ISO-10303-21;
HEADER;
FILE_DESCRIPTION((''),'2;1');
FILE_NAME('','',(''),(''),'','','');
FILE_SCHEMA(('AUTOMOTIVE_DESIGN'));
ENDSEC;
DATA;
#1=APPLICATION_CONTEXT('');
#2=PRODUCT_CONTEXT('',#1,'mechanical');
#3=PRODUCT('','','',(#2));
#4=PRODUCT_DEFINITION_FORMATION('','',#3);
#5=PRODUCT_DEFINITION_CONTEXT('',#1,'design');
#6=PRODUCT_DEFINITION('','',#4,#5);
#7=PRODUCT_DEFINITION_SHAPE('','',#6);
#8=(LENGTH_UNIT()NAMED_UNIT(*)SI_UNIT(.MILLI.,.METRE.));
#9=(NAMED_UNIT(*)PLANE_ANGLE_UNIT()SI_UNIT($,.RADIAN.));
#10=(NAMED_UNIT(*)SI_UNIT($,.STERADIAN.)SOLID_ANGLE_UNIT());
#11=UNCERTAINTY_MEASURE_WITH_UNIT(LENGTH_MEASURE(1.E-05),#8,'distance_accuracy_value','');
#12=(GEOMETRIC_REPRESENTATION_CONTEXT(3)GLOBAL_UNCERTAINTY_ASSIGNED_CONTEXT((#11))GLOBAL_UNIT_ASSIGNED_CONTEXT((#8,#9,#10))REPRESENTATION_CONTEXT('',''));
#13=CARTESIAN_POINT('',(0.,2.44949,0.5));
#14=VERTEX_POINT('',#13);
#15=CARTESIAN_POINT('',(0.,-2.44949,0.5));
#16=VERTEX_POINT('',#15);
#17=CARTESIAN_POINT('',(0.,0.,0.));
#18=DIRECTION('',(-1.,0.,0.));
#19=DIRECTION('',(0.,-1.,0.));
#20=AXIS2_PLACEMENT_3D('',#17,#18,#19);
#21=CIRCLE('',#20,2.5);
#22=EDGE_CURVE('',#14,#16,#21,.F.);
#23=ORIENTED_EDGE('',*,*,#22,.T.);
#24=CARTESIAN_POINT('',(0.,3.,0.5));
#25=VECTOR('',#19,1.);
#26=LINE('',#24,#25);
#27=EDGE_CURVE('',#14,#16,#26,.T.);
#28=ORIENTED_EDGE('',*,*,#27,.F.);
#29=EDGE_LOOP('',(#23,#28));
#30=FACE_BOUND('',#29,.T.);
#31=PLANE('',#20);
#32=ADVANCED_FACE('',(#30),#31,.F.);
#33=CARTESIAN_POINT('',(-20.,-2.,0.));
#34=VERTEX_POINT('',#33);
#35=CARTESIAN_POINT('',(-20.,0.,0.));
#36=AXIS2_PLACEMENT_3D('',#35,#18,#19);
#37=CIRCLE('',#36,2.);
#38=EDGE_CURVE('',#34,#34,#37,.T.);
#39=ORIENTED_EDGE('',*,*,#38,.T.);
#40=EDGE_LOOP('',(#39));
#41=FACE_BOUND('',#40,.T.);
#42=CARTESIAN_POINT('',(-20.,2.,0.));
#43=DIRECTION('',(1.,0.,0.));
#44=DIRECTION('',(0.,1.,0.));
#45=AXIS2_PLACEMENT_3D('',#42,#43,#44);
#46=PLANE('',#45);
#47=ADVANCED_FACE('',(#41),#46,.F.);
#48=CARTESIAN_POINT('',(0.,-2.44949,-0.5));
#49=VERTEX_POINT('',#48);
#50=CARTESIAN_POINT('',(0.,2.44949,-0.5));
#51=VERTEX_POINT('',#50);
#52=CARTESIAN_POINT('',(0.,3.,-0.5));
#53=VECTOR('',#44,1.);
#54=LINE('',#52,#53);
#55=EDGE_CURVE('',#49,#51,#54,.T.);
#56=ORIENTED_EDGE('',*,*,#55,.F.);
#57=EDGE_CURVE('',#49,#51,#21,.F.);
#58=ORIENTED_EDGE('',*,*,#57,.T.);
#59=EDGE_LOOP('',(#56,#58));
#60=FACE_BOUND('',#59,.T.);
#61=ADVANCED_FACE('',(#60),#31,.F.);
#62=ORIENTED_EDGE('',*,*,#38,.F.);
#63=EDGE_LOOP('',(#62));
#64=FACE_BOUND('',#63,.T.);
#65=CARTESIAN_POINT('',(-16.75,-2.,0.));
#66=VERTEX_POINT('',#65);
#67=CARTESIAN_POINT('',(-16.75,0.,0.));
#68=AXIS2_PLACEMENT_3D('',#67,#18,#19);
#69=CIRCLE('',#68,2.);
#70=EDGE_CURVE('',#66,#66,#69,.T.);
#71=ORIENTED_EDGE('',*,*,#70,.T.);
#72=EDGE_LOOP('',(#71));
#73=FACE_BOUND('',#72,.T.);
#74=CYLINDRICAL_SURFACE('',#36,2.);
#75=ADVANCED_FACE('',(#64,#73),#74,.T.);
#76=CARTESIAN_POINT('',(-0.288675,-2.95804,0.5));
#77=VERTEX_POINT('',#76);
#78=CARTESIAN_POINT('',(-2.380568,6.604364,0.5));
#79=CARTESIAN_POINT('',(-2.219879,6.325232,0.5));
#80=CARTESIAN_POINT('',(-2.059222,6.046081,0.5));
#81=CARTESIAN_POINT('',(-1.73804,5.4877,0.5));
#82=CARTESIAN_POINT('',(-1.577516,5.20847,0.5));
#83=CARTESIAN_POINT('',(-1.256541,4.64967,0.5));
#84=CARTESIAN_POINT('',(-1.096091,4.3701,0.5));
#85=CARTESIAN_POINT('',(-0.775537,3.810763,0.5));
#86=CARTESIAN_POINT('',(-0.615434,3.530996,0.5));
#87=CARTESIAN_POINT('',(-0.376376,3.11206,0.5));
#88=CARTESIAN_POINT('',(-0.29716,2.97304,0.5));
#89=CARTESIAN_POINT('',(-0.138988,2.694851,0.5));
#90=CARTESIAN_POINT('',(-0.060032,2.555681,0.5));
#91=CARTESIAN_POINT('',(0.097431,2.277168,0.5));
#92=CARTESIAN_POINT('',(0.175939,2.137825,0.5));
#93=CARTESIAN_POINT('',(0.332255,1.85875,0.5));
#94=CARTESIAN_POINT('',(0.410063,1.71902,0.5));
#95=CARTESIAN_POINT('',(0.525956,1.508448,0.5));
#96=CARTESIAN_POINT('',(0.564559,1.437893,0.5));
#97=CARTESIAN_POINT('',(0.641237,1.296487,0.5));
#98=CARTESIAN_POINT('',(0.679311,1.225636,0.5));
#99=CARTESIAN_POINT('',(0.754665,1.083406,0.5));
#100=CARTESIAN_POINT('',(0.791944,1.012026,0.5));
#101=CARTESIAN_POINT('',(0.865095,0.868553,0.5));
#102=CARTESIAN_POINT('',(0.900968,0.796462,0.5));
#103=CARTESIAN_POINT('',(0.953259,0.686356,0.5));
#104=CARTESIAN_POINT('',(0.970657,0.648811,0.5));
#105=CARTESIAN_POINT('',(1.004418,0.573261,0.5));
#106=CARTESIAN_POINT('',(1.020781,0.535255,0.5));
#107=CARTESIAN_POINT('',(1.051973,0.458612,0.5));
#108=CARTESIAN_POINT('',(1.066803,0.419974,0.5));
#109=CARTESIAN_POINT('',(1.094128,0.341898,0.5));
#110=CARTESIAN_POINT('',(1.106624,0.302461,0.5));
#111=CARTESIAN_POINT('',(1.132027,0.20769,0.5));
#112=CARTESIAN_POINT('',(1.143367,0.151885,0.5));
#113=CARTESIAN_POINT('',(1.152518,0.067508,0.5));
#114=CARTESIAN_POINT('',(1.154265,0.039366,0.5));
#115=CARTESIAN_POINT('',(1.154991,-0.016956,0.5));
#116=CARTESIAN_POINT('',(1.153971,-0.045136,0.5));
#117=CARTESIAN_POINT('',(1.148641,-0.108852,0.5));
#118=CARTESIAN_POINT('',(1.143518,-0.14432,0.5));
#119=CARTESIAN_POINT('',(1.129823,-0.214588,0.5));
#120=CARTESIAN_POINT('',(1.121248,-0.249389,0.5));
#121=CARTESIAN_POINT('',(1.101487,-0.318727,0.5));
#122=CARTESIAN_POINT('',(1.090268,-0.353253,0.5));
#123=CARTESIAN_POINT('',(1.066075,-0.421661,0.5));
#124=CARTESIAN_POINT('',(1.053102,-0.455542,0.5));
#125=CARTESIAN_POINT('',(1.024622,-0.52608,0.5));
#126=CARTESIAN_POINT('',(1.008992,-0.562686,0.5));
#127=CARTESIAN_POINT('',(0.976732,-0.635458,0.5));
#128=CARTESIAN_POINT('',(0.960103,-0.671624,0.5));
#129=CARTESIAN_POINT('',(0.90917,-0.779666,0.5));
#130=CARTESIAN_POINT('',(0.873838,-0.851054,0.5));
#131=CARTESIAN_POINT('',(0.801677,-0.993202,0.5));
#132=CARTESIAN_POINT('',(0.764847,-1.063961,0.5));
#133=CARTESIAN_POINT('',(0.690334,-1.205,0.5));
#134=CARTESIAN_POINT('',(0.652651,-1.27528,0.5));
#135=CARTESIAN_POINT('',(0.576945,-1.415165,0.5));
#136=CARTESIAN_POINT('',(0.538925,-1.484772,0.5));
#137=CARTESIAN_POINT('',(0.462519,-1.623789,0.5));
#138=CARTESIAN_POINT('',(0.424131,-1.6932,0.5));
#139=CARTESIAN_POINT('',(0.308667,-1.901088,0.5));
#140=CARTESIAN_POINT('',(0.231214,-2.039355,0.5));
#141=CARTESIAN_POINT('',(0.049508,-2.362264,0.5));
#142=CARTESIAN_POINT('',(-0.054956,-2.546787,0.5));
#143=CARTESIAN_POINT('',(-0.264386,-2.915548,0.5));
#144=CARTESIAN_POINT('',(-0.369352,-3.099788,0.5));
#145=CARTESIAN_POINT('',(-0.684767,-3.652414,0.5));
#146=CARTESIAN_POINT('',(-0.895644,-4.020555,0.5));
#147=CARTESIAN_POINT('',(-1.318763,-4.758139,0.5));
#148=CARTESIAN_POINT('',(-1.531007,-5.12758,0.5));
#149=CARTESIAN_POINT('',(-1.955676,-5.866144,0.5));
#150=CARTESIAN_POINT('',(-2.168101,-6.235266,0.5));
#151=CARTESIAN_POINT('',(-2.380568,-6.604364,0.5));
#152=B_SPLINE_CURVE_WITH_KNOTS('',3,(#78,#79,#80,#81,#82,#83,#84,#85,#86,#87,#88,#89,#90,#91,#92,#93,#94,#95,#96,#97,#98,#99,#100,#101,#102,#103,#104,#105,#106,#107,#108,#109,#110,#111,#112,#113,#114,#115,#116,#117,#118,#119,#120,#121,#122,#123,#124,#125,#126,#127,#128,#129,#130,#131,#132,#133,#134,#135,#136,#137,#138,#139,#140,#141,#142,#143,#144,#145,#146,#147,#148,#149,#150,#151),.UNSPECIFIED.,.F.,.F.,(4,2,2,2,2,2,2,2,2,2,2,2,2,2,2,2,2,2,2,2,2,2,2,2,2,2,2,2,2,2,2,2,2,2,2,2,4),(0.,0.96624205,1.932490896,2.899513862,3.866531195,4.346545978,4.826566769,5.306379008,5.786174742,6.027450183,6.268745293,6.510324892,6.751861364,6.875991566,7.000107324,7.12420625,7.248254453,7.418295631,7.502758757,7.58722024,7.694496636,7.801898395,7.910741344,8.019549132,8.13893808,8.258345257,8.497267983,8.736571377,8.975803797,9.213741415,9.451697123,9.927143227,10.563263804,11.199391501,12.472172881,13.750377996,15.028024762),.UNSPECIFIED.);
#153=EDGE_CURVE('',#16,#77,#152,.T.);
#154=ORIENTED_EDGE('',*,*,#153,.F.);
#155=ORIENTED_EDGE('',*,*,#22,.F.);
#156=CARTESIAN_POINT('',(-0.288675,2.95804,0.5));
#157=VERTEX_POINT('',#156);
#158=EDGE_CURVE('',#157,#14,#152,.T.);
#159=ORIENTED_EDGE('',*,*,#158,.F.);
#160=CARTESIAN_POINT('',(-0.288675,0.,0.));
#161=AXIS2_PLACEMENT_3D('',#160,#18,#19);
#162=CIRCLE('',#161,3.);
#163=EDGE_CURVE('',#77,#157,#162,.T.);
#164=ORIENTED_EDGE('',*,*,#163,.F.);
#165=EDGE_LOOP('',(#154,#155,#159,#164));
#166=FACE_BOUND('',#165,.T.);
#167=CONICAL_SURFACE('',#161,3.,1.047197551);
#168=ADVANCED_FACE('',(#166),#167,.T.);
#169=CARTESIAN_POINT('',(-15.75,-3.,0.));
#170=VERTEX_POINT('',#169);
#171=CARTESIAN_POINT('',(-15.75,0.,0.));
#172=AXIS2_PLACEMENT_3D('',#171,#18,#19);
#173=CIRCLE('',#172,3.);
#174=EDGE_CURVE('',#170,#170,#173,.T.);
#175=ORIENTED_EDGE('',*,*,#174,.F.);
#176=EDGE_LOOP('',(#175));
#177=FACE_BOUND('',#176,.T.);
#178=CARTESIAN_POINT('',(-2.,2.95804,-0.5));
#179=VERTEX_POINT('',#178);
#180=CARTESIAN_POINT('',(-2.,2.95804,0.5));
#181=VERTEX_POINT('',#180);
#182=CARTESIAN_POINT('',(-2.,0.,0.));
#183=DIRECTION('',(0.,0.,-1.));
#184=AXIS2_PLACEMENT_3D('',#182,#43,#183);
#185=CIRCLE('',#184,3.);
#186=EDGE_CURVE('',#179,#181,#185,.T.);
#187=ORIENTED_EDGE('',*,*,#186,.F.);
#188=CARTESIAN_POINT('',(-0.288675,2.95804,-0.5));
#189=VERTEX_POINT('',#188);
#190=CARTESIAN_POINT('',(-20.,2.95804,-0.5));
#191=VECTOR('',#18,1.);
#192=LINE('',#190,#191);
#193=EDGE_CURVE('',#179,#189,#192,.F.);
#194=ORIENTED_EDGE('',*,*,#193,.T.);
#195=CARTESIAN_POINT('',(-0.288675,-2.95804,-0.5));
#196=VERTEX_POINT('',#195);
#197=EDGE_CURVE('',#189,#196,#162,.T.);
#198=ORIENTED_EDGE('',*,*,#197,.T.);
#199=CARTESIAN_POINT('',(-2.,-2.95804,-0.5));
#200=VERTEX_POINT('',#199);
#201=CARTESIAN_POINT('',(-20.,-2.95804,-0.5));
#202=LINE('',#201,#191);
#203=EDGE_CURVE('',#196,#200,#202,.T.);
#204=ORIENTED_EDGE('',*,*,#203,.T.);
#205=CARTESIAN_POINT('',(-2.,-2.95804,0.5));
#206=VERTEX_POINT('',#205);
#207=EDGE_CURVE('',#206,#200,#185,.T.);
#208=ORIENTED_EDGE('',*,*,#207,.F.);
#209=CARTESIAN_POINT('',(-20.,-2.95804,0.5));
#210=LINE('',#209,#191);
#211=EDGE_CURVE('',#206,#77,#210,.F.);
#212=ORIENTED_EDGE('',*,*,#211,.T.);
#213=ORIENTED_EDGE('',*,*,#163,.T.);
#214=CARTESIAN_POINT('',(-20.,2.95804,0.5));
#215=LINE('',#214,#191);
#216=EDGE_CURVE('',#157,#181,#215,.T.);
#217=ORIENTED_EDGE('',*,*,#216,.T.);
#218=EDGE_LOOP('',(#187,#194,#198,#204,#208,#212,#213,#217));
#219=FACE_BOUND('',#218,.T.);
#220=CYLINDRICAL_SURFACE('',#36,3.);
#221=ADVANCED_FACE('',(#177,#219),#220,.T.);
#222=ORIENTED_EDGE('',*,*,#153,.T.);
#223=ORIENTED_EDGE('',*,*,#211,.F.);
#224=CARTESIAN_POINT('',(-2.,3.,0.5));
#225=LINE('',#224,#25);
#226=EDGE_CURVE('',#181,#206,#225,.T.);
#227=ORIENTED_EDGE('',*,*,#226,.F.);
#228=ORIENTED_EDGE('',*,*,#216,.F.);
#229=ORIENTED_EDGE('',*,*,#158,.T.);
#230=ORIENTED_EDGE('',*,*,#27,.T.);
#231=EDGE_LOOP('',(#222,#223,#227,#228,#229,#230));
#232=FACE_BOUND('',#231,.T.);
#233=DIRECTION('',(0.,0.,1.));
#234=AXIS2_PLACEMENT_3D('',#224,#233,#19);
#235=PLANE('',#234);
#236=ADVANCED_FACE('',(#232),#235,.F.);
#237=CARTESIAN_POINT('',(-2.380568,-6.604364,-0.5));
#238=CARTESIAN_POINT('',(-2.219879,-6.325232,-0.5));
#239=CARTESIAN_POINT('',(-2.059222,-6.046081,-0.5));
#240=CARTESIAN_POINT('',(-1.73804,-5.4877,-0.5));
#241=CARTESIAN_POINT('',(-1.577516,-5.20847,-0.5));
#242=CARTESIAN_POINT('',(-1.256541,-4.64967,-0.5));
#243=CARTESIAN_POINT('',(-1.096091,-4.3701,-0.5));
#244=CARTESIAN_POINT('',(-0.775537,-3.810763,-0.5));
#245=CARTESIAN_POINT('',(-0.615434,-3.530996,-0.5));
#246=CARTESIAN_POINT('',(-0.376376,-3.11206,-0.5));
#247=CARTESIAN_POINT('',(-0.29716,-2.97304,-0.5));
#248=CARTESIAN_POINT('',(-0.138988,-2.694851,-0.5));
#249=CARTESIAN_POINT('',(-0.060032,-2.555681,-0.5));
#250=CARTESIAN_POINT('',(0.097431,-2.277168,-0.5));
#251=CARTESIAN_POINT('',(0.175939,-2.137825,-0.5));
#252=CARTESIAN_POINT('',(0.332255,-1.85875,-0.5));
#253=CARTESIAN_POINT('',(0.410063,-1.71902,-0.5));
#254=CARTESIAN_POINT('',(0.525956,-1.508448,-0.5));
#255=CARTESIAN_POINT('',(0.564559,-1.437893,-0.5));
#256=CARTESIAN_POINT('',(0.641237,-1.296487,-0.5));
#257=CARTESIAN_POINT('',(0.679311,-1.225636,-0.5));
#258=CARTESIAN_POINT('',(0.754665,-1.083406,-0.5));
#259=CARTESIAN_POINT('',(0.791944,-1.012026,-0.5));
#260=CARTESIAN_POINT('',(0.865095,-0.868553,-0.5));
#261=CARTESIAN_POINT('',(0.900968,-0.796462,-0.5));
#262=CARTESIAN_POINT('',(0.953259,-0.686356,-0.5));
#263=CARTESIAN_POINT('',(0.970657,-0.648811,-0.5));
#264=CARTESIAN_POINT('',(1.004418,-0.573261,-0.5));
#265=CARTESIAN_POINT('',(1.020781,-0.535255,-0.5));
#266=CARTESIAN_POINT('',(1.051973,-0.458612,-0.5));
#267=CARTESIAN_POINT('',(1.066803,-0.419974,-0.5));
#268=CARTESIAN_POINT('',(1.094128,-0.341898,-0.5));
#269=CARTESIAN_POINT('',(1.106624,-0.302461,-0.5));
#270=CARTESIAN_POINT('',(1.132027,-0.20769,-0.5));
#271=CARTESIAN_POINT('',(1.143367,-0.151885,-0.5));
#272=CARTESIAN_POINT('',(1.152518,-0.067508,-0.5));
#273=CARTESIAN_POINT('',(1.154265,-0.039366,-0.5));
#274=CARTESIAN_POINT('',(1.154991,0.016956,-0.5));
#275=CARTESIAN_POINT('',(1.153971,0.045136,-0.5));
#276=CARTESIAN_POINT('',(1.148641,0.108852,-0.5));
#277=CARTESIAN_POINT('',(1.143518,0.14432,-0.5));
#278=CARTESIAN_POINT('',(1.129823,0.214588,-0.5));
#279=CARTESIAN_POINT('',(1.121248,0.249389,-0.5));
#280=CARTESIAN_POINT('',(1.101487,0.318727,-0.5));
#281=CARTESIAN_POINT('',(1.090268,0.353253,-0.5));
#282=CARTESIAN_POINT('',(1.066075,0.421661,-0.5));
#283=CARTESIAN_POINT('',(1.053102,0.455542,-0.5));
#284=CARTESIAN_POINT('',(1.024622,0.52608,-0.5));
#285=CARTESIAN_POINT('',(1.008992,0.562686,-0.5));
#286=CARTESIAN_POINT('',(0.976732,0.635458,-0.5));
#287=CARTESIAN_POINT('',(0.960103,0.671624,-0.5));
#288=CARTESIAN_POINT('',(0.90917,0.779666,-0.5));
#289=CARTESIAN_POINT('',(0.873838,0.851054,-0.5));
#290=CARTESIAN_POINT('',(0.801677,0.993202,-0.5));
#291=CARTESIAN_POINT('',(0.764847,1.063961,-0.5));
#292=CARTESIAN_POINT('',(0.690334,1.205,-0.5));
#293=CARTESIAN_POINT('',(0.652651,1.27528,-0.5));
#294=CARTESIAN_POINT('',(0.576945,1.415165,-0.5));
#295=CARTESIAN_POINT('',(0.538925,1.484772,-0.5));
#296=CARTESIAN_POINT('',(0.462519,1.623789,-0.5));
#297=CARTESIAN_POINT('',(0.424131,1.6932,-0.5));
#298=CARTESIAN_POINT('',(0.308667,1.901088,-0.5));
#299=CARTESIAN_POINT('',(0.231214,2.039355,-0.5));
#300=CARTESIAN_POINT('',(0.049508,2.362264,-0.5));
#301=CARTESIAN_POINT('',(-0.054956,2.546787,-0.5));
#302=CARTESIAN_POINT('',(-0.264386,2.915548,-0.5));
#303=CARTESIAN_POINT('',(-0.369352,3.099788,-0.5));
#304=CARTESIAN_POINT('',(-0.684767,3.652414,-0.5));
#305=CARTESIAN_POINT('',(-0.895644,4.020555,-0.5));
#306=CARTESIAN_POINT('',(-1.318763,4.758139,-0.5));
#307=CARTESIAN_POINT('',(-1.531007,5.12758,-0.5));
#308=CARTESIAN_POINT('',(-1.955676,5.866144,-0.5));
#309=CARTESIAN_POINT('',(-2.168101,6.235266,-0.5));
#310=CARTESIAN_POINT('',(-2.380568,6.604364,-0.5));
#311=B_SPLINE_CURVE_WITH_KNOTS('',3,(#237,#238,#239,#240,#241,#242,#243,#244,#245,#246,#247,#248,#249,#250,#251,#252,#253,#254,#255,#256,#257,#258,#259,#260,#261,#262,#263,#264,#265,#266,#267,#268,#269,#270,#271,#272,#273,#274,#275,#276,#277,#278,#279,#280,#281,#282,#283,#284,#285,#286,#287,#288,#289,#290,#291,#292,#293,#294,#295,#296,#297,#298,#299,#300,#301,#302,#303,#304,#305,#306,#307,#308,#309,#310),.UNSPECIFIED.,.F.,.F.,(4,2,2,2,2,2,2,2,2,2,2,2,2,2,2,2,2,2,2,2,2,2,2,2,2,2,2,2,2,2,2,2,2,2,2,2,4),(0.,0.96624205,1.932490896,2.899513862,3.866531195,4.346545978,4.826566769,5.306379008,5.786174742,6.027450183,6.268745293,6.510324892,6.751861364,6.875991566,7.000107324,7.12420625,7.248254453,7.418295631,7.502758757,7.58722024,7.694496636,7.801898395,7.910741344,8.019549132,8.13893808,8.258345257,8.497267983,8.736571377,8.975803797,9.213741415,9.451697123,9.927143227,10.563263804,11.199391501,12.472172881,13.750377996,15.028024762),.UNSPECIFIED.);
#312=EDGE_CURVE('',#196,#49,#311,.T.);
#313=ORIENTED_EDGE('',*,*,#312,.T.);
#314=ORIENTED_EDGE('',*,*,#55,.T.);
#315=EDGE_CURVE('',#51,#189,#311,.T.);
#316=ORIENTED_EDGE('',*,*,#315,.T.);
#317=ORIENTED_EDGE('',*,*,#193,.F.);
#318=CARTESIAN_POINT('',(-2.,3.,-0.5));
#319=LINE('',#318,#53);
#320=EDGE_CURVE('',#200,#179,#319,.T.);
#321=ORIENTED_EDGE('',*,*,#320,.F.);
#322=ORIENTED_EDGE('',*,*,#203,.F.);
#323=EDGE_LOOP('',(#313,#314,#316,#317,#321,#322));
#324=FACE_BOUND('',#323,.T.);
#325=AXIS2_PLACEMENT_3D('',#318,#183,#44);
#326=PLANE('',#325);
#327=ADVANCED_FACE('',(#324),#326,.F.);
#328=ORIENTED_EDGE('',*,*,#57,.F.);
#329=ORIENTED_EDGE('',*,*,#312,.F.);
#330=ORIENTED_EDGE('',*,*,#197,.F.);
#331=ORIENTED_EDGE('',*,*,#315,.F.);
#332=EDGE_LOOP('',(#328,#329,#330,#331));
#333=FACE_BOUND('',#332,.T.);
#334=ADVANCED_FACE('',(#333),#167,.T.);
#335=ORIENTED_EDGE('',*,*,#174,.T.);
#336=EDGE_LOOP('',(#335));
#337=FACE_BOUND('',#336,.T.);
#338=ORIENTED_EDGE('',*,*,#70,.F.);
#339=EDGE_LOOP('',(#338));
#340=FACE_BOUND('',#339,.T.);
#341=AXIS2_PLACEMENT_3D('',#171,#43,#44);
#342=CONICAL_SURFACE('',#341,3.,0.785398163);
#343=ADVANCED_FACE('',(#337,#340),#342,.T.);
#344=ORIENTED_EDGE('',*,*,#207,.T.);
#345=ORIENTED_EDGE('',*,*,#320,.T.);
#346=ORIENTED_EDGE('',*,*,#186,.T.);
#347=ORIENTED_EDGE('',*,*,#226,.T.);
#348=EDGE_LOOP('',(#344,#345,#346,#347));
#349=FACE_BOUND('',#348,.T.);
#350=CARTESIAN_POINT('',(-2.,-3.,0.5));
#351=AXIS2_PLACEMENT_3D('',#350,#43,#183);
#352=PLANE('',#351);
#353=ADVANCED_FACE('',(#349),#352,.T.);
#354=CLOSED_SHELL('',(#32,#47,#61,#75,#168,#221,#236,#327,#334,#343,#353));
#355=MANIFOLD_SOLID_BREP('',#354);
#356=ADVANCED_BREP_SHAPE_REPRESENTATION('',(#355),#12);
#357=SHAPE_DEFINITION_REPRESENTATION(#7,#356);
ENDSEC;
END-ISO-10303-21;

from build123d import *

# Parameters (mm, degrees)
CHAMFER1_SIZE      = 0.5
CHAMFER1_SIZE2     = 0.288675135
SKETCH2_W          = 1
SKETCH2_H          = 6
CUT_EXTRUDE2_DEPTH = 2


with BuildPart() as part:
    # Sketch1 → Revolve1 (revolve)
    with BuildSketch(Plane.XY, mode=Mode.PRIVATE) as revolve1_sk:
        Polygon((0, 0), (0, 3), (-15.75, 3), (-16.75, 2), (-20, 2), (-20, 0), align=None)
    revolve(revolve1_sk.sketch.rotate(Axis((-20, 0, 0), (1, 0, 0)), 180), axis=Axis((-20, 0, 0), (1, 0, 0)))

    # Chamfer1
    chamfer1_edges = [part.edges().sort_by_distance(p)[0] for p in [
        (0, 3, 0),
    ]]
    chamfer1_side = [part.faces().sort_by_distance(p)[0] for p in [
        (0, 0, 0),
    ]]
    chamfer(chamfer1_edges, length=CHAMFER1_SIZE, length2=CHAMFER1_SIZE2, reference=chamfer1_side[0])

    # Sketch2 → Cut-Extrude2 (cut)
    with BuildSketch(Plane(origin=(0, 0, 0), x_dir=(0, 0, -1), z_dir=(1, 0, 0))):
        Rectangle(SKETCH2_W, SKETCH2_H)
    extrude(amount=-CUT_EXTRUDE2_DEPTH, mode=Mode.SUBTRACT)


solid = part.part
